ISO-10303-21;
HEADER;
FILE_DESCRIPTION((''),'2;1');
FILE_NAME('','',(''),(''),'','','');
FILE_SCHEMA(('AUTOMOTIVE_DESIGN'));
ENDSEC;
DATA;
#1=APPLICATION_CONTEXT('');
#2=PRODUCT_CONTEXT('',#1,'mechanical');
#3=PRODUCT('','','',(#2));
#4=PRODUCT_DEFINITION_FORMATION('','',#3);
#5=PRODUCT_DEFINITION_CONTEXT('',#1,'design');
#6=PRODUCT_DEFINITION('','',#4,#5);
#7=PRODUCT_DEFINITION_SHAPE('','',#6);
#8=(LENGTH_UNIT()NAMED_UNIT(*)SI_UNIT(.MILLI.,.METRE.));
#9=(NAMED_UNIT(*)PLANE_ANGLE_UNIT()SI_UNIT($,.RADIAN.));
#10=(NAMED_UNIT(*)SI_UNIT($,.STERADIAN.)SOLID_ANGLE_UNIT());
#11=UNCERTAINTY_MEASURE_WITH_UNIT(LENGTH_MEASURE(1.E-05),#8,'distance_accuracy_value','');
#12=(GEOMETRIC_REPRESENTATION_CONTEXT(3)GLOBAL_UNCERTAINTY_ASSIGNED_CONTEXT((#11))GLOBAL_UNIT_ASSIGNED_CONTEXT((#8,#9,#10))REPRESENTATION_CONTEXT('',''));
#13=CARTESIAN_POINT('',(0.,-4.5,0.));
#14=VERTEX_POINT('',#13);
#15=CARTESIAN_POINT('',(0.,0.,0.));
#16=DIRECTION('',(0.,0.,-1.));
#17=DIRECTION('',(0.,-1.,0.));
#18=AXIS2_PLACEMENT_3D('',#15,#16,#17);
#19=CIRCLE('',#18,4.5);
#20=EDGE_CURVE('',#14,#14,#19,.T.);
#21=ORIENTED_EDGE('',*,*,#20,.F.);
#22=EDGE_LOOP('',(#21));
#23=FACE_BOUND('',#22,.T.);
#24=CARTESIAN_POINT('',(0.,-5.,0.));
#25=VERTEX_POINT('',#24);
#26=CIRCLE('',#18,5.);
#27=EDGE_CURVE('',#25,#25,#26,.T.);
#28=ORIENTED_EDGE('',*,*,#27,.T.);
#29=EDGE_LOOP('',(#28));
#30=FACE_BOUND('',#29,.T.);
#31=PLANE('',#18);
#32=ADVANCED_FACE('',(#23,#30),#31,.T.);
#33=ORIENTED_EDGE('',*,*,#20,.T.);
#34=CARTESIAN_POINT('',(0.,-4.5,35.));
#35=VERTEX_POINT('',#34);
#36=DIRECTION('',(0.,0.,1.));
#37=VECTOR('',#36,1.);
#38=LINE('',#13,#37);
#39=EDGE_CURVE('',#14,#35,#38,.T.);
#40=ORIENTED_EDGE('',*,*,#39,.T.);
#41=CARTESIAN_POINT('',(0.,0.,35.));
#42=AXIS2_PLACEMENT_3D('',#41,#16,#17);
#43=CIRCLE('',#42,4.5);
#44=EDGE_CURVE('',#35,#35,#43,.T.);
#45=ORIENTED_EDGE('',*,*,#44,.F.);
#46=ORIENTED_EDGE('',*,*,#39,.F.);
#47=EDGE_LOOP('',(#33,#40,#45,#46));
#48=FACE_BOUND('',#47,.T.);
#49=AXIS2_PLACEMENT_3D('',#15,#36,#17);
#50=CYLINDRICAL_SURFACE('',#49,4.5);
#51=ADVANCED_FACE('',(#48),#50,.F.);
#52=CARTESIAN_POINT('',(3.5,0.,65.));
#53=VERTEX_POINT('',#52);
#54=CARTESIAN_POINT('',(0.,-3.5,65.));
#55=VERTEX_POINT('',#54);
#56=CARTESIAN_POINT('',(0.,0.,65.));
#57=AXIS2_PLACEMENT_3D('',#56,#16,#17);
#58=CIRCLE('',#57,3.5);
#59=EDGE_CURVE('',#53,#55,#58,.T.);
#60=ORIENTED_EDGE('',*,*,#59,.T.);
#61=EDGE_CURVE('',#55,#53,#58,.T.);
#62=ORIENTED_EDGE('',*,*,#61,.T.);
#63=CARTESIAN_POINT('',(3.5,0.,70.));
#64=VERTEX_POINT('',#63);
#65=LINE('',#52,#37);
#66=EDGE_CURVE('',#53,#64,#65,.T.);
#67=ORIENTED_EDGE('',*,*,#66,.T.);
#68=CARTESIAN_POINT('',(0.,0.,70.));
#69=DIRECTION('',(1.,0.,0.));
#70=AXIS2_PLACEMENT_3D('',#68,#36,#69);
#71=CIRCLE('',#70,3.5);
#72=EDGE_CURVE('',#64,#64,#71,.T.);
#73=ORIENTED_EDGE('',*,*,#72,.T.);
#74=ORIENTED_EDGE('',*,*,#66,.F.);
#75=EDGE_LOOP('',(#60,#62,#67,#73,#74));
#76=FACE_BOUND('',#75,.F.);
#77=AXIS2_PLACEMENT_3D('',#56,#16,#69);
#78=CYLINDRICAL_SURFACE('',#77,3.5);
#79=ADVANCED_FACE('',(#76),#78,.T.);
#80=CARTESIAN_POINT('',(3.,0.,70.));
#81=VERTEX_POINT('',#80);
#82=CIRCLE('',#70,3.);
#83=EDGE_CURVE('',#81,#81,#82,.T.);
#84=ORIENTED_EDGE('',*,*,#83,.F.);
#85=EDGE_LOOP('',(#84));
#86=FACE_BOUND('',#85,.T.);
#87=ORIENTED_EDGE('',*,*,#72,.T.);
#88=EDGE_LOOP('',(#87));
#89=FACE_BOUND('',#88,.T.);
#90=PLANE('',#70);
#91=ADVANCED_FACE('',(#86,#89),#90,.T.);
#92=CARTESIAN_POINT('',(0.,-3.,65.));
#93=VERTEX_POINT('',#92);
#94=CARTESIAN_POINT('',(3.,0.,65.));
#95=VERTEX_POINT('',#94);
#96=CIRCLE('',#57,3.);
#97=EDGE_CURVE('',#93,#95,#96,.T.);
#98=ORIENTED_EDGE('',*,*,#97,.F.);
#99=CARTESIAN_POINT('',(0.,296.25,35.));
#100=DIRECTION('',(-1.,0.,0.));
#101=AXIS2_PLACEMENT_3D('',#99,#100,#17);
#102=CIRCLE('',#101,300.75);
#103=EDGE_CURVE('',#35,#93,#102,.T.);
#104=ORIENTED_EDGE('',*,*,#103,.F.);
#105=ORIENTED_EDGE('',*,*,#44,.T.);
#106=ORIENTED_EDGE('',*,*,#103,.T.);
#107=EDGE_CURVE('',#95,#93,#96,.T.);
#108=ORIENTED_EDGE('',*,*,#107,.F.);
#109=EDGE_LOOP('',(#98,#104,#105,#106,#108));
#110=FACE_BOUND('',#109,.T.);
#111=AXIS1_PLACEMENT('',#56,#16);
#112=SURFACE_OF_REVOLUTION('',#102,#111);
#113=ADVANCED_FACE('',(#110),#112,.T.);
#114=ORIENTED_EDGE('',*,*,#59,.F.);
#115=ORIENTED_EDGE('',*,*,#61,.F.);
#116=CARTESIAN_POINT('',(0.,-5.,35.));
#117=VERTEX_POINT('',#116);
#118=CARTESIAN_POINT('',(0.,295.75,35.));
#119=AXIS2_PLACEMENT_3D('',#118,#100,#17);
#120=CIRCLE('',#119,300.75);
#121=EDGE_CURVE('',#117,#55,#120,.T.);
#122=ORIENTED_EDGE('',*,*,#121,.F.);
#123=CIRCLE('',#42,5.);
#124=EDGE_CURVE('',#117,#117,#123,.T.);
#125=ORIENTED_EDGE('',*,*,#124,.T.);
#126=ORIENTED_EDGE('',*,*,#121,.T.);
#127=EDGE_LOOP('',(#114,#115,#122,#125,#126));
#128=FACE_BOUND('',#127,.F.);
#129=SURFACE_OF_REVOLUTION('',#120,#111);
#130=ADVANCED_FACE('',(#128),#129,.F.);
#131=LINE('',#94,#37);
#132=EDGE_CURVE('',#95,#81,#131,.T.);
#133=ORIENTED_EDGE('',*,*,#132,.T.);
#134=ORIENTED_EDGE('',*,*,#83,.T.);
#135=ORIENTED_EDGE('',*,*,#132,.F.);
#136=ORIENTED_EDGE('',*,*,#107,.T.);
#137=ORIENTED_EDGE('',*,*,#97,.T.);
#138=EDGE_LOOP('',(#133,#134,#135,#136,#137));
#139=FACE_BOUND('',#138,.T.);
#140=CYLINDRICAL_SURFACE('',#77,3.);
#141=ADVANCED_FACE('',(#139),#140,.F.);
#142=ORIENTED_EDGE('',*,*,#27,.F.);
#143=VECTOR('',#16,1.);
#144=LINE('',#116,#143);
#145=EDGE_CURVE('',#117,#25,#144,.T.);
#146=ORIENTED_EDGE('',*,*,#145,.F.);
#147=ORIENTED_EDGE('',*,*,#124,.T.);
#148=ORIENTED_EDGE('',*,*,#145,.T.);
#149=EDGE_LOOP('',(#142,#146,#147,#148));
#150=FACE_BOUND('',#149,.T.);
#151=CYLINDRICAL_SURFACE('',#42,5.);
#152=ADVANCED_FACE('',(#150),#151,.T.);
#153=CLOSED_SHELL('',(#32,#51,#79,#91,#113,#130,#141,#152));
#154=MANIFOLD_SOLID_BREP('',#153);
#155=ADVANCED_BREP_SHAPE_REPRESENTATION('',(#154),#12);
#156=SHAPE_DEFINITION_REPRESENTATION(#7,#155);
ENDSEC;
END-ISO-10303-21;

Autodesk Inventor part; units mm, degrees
ref_plane "YZ Plane" through (0, 0, 0) normal (1, 0, 0) x (0, 1, 0)
ref_plane "XZ Plane" through (0, 0, 0) normal (0, 1, 0) x (-1, 0, 0)
sketch "Sketch1" plane through (0, 0, 0) normal (0, 0, 1) x (1, 0, 0)
  circle A0 centre (0, 0) radius 4.5
  circle A1 centre (0, 0) radius 5
  line L0 (0, 0) -> (0, -5)
  dimension "d0" = 9
  dimension "d1" = 0.5
ref_plane "Work Plane1" through (0, 0, 35) normal (0, 0, 1) x (1, 0, 0)
ref_plane "Work Plane2" through (0, 0, 65) normal (0, 0, 1) x (1, 0, 0)
sketch "Sketch3" plane through (0, 0, 65) normal (0, 0, 1) x (1, 0, 0)
  circle A0 centre (0, 0) radius 3
  circle A1 centre (0, 0) radius 3.5
  line L0 (0, 0) -> (0, -3.5)
  dimension "d4" = 0.5
  dimension "d5" = 6
sketch "Sketch2" plane through (0, 0, 35) normal (0, 0, 1) x (1, 0, 0)
  circle A0 centre (0, 0) radius 5 projected
  circle A1 centre (0, 0) radius 4.5 projected
  line L0 (0, 0) -> (0, -5)
ref_plane "Work Plane3" through (0, 0, 0) normal (-1, 0, 0) x (0, -1, 0)
sketch "Sketch4" plane through (0, 0, 0) normal (-1, 0, 0) x (0, -1, 0)
  line L0 (5, 35) -> (5, 0)
  line L1 (5, 0) -> (4.5, 0)
  line L2 (4.5, 0) -> (4.5, 35)
  arc A0 (5, 35) -> (3.5, 65) centre (-295.75, 35) ccw
  line L3 (5, 0) -> (-5, 0) projected
  line L4 (4.5, 0) -> (-4.5, 0) projected
  line L5 (0, 0) -> (5, 0) projected
  line L6 (5, 35) -> (-5, 35) projected
  line L7 (0, 35) -> (5, 35) projected
  line L8 (4.5, 35) -> (-4.5, 35) projected
  line L9 (0, 65) -> (3.5, 65) projected
  line L10 (3.5, 65) -> (-3.5, 65) projected
  line L11 (3, 65) -> (-3, 65) projected
  line L12 (3.5, 65) -> (3, 65)
  arc A1 (4.5, 35) -> (3, 65) centre (-296.25, 35) ccw
  line L13 (0, 65) -> (0, 0)
revolve "Revolution2" add sketch "Sketch4" angle 360 about axis through (0, 0, 65) along (0, 0, -1) contours L6 A1 L9 A0 | L0 L1 L2 L6
sketch "Sketch5" plane through (0, 0, 65) normal (0, 0, 1) x (1, 0, 0)
  circle A0 centre (0, 0) radius 3.5
  circle A1 centre (0, 0) radius 2
  circle A2 centre (0, 0) radius 3 projected
  dimension "d21" = 4
extrude "Extrusion1" add sketch "Sketch5" along normal blind 5 contours A0
properties part number "Hand"
